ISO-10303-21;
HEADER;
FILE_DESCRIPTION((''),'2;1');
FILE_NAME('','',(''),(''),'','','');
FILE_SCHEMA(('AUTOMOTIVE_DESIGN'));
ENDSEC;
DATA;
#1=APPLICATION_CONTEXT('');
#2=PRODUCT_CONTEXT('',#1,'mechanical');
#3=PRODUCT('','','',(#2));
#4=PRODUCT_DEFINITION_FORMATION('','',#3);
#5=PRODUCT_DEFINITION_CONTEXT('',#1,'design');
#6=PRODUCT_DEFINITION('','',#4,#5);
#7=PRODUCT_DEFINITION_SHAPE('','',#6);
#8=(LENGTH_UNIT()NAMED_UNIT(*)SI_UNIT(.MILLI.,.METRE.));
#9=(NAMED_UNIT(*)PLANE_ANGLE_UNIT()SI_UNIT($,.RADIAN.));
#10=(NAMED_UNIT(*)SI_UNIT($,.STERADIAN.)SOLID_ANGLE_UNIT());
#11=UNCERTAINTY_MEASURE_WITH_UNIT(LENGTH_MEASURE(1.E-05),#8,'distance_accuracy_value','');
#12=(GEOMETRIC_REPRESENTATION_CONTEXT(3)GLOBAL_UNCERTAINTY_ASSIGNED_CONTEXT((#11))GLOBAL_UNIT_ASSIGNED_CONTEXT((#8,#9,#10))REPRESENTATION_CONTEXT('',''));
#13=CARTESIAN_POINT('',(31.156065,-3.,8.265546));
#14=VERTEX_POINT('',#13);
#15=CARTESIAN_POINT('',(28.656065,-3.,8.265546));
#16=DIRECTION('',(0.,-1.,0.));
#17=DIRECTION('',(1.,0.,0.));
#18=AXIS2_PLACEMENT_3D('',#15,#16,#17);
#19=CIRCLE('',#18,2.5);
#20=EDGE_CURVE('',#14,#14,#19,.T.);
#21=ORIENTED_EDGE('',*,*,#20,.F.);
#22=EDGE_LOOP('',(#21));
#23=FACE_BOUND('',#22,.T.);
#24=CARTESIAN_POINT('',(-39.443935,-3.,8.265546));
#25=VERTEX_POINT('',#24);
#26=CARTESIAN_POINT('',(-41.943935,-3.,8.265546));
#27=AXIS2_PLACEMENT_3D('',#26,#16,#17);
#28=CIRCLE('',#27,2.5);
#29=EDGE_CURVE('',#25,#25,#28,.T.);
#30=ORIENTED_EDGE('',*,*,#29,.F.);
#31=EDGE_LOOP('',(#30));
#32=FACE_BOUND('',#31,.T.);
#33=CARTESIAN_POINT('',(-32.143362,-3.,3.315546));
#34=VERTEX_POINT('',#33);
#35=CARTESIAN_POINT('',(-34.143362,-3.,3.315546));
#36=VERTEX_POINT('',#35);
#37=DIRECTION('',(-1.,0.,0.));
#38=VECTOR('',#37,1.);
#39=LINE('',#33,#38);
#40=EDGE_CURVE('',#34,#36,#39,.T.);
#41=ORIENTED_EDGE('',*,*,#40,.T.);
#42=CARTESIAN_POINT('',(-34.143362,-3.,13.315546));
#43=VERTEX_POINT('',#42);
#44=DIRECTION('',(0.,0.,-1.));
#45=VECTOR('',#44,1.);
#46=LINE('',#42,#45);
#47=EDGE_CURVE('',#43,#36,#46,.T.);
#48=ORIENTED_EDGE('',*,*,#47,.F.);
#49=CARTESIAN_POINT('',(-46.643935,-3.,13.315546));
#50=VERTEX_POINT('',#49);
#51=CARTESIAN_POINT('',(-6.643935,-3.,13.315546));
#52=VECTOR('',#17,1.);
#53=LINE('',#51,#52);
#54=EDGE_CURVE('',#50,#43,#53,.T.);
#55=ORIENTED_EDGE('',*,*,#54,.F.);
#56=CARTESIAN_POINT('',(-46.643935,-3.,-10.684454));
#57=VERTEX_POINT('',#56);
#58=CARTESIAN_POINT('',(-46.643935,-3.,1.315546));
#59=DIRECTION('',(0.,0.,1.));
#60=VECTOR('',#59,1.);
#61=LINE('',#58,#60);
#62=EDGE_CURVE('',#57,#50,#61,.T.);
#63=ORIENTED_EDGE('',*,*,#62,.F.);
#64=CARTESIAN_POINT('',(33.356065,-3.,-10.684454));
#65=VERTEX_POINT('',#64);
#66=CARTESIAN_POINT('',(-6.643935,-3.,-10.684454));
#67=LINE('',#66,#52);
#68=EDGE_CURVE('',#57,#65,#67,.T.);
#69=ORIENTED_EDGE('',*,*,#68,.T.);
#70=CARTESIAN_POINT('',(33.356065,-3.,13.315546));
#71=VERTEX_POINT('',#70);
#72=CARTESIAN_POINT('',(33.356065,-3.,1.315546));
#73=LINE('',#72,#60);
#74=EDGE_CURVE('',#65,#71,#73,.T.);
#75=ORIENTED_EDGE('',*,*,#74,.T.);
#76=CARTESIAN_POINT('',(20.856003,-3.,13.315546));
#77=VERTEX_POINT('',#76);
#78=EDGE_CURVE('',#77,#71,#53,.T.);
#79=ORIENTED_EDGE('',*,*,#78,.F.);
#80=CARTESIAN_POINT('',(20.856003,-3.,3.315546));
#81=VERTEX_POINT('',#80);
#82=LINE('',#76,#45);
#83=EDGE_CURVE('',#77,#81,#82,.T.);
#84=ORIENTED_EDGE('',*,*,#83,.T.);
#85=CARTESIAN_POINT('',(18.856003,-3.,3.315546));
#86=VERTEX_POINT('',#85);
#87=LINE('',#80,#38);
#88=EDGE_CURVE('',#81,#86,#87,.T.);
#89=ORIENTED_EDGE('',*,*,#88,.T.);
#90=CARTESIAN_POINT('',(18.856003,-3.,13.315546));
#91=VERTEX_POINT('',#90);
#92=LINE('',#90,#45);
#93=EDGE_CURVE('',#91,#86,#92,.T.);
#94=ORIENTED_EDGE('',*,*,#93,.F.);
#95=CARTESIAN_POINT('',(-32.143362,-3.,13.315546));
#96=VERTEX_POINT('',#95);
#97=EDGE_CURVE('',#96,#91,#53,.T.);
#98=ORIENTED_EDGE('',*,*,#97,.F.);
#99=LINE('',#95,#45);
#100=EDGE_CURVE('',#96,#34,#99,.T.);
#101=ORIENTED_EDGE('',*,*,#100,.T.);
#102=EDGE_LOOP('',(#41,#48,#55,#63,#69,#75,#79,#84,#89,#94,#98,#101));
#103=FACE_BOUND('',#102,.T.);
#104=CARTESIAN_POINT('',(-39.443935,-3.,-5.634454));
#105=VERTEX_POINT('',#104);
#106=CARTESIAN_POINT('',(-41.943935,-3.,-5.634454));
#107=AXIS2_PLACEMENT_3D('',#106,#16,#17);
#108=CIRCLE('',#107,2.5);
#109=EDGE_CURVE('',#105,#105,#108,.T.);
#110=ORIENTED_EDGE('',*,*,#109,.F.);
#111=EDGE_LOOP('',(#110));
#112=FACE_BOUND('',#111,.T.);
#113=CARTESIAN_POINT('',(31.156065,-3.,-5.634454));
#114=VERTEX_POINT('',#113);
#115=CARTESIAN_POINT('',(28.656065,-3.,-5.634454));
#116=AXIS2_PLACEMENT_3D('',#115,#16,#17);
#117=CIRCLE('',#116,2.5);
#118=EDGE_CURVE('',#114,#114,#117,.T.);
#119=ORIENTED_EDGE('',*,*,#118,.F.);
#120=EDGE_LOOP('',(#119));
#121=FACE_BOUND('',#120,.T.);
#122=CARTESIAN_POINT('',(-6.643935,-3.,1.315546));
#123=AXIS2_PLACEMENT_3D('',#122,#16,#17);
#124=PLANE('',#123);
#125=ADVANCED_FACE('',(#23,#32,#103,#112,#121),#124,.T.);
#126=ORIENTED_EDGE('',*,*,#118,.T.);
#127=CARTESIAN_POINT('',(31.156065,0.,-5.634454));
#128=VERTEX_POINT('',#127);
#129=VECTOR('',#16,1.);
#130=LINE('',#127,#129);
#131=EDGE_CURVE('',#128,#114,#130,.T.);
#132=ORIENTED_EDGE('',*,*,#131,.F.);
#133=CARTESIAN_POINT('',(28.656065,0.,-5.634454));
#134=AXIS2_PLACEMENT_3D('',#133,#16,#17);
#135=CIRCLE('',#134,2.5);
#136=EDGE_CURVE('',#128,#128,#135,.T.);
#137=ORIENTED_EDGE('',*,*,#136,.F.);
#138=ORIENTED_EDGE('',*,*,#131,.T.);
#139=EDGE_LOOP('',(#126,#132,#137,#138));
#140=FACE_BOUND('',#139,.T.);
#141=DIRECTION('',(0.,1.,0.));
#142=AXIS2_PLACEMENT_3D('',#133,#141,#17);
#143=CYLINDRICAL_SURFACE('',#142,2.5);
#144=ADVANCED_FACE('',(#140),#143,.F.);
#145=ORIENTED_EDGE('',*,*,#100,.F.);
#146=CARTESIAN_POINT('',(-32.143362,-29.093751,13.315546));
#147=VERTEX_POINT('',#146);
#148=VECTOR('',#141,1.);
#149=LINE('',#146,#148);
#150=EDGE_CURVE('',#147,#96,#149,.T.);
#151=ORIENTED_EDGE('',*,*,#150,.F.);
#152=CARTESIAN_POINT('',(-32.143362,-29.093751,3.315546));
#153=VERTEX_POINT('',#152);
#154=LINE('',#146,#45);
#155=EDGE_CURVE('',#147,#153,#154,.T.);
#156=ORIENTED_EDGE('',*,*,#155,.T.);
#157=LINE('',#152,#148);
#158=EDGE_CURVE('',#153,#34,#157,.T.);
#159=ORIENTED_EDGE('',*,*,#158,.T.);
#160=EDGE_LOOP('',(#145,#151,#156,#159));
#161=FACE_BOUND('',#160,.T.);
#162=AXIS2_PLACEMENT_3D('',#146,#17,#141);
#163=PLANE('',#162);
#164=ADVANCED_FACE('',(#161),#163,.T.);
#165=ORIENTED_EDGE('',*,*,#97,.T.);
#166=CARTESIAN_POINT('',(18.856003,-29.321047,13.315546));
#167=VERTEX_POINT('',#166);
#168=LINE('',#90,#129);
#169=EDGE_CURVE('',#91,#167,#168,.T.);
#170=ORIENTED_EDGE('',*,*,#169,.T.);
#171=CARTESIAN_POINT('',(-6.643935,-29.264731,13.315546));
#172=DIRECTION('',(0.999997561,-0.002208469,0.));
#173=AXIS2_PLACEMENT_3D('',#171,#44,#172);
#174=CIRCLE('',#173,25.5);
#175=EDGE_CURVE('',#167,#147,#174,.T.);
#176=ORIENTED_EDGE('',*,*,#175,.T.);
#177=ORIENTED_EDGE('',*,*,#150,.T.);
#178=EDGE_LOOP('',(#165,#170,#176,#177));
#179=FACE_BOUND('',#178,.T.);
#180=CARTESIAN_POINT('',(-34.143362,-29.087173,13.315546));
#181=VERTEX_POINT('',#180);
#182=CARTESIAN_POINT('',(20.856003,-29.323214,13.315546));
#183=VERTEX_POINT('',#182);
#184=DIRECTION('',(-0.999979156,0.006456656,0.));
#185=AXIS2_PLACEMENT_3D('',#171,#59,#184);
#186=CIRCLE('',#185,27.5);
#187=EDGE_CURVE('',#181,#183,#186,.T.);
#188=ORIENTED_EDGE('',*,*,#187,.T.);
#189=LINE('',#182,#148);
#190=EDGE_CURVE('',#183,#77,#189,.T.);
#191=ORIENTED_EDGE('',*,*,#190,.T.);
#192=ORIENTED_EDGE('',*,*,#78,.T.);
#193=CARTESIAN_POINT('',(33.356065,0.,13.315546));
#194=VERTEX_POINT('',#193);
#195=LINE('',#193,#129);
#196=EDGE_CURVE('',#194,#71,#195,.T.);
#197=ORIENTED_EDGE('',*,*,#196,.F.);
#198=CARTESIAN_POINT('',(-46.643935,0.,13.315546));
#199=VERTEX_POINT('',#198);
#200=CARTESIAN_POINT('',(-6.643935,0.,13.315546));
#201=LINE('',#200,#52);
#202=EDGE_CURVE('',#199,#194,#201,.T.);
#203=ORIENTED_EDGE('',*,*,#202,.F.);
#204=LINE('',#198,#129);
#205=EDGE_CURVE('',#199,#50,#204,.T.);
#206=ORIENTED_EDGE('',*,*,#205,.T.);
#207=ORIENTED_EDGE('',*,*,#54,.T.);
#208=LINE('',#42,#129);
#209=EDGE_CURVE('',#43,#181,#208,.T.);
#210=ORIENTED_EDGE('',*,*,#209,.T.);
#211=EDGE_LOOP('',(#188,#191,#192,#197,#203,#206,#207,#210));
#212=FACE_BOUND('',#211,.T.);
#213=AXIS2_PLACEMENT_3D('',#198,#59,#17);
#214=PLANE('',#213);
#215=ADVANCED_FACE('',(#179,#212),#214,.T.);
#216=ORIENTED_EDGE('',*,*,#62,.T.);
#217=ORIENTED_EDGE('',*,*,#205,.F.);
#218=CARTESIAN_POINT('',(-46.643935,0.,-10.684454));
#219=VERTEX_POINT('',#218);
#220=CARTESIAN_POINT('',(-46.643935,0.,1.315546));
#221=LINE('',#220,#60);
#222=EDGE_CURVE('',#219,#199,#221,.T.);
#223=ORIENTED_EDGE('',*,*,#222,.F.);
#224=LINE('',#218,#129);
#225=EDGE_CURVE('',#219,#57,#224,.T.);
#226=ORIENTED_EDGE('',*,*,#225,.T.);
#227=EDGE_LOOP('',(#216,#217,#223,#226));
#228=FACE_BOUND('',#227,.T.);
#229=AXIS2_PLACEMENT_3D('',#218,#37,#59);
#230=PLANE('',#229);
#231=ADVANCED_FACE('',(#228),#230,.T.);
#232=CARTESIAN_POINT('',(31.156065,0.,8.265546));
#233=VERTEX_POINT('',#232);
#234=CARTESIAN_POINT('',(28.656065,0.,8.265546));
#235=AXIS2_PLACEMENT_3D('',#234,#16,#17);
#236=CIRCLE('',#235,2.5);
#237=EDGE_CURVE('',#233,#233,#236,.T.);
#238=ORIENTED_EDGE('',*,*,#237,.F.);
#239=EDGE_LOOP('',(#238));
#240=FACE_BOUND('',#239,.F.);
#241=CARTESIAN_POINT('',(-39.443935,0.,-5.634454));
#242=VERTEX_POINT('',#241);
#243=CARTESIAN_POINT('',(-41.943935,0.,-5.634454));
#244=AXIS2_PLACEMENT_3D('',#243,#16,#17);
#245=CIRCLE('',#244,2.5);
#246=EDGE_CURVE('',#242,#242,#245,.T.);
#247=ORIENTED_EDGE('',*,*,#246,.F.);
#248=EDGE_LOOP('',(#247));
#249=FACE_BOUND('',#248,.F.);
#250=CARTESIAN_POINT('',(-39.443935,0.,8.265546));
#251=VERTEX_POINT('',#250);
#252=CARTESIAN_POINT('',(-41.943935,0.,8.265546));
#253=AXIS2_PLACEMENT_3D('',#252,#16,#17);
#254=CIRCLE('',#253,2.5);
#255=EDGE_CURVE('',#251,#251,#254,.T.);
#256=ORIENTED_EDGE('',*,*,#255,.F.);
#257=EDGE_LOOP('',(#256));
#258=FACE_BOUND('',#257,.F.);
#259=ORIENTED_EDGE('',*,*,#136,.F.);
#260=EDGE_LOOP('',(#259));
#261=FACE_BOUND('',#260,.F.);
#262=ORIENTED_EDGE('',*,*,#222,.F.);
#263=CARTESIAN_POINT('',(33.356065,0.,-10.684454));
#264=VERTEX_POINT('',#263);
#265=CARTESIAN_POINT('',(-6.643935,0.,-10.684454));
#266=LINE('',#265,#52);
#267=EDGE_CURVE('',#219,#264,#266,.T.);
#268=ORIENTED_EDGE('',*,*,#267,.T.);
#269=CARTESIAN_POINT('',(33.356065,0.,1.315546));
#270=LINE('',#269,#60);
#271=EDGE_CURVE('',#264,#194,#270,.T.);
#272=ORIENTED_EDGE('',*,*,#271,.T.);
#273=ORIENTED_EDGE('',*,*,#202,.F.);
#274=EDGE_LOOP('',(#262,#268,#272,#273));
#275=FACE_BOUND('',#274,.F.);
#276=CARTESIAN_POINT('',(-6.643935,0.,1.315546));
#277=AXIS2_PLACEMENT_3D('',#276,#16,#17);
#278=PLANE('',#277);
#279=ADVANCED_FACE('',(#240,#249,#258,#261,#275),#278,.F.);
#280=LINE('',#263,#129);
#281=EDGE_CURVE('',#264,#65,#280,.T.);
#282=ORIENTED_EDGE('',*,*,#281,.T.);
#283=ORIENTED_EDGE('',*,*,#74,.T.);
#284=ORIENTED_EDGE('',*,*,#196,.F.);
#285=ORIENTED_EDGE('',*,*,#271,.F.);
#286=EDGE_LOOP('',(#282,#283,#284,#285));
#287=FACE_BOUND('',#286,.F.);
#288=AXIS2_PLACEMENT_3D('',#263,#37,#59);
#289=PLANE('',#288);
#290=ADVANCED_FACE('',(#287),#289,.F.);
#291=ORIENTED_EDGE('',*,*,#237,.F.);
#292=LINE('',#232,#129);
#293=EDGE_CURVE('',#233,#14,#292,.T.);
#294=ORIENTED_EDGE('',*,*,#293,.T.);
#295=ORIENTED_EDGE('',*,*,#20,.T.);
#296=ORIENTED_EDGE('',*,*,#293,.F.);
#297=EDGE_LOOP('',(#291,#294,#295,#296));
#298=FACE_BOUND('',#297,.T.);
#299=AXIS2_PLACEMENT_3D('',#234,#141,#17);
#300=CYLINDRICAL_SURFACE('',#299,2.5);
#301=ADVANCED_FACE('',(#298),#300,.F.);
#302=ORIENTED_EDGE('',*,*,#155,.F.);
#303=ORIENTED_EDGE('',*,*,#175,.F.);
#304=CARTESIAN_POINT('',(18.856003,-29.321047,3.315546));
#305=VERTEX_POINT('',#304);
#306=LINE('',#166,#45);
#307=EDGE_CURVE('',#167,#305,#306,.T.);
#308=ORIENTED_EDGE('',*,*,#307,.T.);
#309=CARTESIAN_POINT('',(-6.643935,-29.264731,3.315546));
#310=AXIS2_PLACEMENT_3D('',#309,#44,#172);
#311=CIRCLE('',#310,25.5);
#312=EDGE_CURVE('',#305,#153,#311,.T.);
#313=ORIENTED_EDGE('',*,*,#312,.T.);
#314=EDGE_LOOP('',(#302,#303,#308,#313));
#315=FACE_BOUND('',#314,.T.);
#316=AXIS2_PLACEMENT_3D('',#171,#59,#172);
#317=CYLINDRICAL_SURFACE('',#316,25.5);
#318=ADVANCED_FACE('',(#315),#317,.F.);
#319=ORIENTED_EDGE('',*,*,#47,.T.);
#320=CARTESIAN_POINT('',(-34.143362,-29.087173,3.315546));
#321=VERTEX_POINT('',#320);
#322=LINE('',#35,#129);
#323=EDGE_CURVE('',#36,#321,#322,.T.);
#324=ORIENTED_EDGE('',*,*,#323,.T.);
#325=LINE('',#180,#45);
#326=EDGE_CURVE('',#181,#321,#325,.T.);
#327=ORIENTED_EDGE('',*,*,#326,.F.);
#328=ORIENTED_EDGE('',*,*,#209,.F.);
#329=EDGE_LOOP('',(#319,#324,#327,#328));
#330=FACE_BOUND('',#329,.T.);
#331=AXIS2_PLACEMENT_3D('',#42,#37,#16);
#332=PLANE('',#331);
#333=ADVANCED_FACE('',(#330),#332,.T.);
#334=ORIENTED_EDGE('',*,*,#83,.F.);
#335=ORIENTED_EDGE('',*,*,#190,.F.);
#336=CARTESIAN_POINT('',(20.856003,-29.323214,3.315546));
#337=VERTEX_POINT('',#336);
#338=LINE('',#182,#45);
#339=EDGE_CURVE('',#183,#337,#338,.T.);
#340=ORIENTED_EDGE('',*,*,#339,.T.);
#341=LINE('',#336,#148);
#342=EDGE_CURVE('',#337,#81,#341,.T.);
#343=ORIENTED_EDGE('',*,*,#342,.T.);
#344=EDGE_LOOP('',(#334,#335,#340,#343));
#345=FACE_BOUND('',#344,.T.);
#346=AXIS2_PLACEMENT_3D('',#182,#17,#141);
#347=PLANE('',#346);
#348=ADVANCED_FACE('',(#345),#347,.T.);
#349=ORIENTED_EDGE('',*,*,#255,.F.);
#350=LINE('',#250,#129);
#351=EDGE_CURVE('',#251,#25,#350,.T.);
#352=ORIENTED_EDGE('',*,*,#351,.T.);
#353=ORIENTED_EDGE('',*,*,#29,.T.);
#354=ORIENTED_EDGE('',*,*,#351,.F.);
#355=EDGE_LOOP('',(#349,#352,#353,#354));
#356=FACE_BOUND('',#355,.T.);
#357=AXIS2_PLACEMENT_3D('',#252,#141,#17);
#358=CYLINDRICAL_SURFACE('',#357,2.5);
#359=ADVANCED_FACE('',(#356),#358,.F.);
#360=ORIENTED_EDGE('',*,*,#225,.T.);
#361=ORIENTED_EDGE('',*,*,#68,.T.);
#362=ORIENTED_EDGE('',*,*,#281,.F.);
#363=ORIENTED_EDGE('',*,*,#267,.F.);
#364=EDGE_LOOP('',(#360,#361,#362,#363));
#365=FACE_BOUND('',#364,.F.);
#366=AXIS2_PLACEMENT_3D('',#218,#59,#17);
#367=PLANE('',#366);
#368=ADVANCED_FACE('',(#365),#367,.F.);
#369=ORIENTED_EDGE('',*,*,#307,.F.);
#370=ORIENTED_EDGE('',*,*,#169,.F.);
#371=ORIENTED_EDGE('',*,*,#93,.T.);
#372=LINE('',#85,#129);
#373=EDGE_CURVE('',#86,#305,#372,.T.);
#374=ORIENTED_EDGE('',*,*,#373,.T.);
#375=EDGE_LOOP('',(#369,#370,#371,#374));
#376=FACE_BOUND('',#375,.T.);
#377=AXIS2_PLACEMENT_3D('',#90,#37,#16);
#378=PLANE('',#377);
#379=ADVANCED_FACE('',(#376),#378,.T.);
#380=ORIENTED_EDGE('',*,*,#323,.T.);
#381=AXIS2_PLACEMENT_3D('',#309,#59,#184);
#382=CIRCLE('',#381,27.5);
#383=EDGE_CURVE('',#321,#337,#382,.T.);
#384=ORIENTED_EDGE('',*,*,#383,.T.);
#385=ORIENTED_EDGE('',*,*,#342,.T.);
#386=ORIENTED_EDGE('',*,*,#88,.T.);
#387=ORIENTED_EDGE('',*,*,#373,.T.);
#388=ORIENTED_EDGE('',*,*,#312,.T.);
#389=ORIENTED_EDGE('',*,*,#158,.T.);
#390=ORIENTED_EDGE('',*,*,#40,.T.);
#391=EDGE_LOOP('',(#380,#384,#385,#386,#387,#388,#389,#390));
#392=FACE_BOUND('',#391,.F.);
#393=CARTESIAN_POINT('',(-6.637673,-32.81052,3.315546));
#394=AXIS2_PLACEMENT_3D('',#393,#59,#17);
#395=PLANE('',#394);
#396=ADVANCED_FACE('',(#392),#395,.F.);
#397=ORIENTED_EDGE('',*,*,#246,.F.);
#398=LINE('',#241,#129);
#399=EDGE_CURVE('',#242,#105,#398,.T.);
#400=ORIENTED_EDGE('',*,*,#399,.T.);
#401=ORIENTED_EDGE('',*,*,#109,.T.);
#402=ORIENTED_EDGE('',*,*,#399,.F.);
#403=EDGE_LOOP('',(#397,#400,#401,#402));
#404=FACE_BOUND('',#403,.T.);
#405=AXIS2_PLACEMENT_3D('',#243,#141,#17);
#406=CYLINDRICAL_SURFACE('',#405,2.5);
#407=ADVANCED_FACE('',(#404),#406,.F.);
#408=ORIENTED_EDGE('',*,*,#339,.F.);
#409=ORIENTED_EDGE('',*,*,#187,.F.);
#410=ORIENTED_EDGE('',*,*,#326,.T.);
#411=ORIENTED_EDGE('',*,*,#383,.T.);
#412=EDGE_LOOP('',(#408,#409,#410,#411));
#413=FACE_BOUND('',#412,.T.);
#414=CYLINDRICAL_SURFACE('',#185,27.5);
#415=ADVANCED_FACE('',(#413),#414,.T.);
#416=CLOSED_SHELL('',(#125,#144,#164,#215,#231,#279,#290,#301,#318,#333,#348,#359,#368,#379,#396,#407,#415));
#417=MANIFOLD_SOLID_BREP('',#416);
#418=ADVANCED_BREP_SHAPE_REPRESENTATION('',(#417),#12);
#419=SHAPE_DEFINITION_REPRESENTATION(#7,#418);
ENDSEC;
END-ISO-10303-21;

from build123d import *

# Parameters (mm, degrees)
F0_W     = 80
F0_H     = 24
F0_R     = 2.5
F1_DEPTH = 3
F3_DEPTH = 10


with BuildPart() as f1:
    # F0 (on Front) → F1 (new body)
    with BuildSketch(Plane.XZ):
        with Locations((-6.643935, 1.315546)):
            Rectangle(F0_W, F0_H)
        with Locations((-41.943935, -5.634454)):
            Circle(F0_R, mode=Mode.SUBTRACT)
        with Locations((28.656065, -5.634454)):
            Circle(F0_R, mode=Mode.SUBTRACT)
        with Locations((-41.943935, 8.265546)):
            Circle(F0_R, mode=Mode.SUBTRACT)
        with Locations((28.656065, 8.265546)):
            Circle(F0_R, mode=Mode.SUBTRACT)
    extrude(amount=F1_DEPTH)

    # F2 (on face) → F3 (join)
    with BuildSketch(Plane.XY.offset(13.315546)):
        with BuildLine():
            ThreePointArc((18.856003, -29.321047), (-6.757583, -54.764478), (-32.143362, -29.093751))
            Line((-32.143362, -29.093751), (-32.143362, -3))
            Line((-32.143362, -3), (-34.143362, -3))
            Line((-34.143362, -3), (-34.143362, -29.087173))
            ThreePointArc((-34.143362, -29.087173), (-6.761956, -56.764478), (20.856003, -29.323214))
            Line((20.856003, -29.323214), (20.856003, -3))
            Line((20.856003, -3), (18.856003, -3))
            Line((18.856003, -3), (18.856003, -29.321047))
        make_face()
    extrude(amount=-F3_DEPTH)


solid = f1.part
